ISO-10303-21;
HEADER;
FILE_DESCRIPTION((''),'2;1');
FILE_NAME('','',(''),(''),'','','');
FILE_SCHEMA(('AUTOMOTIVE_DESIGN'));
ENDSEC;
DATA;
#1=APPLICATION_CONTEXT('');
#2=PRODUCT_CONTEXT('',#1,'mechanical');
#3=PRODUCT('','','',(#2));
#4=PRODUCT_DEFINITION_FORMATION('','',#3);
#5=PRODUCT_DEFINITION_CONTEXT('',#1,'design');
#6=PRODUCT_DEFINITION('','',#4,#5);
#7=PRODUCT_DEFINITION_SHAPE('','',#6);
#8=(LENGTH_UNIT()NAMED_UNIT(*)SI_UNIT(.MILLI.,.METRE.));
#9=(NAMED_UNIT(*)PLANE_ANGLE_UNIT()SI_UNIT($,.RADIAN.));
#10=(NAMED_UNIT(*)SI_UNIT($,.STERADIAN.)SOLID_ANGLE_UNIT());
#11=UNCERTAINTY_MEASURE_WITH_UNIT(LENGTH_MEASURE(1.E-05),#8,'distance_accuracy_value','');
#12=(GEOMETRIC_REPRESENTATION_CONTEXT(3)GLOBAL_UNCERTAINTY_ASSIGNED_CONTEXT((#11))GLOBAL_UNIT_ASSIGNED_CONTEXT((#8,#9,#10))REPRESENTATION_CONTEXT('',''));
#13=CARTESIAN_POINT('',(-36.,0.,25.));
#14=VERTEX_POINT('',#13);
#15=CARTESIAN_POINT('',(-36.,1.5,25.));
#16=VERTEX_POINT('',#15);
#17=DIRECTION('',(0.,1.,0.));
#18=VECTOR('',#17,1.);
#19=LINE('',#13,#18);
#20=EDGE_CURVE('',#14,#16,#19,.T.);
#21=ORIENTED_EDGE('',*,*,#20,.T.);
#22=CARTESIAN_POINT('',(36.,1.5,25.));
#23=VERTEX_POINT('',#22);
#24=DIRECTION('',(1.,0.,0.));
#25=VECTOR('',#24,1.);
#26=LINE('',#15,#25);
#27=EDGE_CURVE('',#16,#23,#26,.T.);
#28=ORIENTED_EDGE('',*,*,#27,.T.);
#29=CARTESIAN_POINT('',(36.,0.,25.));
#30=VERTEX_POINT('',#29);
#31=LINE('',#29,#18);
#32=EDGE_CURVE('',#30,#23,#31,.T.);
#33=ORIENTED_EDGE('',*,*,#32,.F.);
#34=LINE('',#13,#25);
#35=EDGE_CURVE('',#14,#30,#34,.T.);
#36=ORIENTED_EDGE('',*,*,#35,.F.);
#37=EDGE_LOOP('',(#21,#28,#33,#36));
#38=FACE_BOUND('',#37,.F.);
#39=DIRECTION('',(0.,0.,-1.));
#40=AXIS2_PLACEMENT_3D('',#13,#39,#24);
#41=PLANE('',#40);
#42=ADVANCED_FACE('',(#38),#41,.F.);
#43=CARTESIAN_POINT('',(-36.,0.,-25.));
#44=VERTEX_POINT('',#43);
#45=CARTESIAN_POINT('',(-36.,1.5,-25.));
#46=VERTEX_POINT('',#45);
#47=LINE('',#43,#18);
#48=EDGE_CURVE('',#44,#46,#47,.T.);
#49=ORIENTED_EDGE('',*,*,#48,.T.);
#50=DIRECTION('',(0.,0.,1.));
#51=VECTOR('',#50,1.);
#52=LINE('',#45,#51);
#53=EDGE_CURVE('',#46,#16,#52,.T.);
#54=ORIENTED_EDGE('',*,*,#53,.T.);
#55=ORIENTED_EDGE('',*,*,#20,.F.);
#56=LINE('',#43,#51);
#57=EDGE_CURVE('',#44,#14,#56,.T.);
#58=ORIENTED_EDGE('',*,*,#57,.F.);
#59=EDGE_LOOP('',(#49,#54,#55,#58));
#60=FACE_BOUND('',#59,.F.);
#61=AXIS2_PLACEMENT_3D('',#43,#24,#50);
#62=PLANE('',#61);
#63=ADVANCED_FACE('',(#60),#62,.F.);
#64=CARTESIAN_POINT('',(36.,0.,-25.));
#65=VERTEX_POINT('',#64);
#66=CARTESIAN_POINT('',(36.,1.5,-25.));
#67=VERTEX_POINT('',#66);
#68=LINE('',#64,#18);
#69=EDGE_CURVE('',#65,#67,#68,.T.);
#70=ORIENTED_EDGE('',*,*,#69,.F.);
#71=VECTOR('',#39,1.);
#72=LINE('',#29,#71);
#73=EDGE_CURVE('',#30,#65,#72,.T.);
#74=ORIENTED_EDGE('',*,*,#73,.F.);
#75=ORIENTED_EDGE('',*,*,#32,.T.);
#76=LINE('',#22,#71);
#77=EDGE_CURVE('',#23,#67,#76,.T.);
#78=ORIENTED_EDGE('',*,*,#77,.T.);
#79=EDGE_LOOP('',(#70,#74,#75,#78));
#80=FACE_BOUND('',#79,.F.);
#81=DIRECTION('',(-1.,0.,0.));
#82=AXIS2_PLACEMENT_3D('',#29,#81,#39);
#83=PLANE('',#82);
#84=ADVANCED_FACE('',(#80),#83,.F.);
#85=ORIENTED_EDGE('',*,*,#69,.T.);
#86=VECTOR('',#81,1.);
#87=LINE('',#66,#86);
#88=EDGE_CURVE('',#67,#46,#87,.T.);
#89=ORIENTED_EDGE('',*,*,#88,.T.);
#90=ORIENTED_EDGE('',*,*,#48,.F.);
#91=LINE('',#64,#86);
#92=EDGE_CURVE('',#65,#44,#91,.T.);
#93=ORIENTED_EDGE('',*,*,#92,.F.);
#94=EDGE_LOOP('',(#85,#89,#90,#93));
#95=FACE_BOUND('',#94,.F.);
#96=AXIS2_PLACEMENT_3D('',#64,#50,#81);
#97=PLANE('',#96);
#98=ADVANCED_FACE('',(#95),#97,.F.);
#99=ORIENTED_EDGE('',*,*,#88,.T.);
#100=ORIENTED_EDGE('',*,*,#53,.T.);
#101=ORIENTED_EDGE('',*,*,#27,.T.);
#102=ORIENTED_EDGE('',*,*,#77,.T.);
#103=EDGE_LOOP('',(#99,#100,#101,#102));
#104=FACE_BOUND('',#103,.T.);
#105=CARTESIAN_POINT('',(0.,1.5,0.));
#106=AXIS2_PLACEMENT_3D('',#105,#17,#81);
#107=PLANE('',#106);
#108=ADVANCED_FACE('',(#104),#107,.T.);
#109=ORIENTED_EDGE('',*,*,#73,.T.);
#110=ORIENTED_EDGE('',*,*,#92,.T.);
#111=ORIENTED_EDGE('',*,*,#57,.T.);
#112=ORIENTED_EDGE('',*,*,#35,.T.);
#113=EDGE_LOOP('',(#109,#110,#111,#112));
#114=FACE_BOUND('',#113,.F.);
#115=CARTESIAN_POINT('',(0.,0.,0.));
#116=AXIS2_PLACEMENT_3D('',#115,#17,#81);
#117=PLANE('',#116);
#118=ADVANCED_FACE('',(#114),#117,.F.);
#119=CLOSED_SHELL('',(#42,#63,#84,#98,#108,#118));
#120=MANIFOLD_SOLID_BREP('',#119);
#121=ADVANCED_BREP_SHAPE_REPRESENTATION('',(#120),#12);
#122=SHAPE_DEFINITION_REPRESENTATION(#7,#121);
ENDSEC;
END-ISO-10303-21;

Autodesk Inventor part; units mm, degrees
ref_plane "YZ Plane" through (0, 0, 0) normal (1, 0, 0) x (0, 1, 0)
ref_plane "XZ Plane" through (0, 0, 0) normal (0, 1, 0) x (-1, 0, 0)
ref_plane "XY Plane" through (0, 0, 0) normal (0, 0, 1) x (1, 0, 0)
sketch "Boceto1" plane through (0, 0, 0) normal (0, 1, 0) x (-1, 0, 0)
  line L0 (36, 25) -> (-36, 25)
  line L1 (-36, 25) -> (-36, -25)
  line L2 (-36, -25) -> (36, -25)
  line L3 (36, -25) -> (36, 25)
  point P0 (0, 0)
  point P1 (36, 0)
  point P2 (0, -25)
  dimension "d0" = 72
  dimension "d1" = 50
extrude "Extrusión1" add sketch "Boceto1" along normal blind 1.5
properties part number "Tapa"
